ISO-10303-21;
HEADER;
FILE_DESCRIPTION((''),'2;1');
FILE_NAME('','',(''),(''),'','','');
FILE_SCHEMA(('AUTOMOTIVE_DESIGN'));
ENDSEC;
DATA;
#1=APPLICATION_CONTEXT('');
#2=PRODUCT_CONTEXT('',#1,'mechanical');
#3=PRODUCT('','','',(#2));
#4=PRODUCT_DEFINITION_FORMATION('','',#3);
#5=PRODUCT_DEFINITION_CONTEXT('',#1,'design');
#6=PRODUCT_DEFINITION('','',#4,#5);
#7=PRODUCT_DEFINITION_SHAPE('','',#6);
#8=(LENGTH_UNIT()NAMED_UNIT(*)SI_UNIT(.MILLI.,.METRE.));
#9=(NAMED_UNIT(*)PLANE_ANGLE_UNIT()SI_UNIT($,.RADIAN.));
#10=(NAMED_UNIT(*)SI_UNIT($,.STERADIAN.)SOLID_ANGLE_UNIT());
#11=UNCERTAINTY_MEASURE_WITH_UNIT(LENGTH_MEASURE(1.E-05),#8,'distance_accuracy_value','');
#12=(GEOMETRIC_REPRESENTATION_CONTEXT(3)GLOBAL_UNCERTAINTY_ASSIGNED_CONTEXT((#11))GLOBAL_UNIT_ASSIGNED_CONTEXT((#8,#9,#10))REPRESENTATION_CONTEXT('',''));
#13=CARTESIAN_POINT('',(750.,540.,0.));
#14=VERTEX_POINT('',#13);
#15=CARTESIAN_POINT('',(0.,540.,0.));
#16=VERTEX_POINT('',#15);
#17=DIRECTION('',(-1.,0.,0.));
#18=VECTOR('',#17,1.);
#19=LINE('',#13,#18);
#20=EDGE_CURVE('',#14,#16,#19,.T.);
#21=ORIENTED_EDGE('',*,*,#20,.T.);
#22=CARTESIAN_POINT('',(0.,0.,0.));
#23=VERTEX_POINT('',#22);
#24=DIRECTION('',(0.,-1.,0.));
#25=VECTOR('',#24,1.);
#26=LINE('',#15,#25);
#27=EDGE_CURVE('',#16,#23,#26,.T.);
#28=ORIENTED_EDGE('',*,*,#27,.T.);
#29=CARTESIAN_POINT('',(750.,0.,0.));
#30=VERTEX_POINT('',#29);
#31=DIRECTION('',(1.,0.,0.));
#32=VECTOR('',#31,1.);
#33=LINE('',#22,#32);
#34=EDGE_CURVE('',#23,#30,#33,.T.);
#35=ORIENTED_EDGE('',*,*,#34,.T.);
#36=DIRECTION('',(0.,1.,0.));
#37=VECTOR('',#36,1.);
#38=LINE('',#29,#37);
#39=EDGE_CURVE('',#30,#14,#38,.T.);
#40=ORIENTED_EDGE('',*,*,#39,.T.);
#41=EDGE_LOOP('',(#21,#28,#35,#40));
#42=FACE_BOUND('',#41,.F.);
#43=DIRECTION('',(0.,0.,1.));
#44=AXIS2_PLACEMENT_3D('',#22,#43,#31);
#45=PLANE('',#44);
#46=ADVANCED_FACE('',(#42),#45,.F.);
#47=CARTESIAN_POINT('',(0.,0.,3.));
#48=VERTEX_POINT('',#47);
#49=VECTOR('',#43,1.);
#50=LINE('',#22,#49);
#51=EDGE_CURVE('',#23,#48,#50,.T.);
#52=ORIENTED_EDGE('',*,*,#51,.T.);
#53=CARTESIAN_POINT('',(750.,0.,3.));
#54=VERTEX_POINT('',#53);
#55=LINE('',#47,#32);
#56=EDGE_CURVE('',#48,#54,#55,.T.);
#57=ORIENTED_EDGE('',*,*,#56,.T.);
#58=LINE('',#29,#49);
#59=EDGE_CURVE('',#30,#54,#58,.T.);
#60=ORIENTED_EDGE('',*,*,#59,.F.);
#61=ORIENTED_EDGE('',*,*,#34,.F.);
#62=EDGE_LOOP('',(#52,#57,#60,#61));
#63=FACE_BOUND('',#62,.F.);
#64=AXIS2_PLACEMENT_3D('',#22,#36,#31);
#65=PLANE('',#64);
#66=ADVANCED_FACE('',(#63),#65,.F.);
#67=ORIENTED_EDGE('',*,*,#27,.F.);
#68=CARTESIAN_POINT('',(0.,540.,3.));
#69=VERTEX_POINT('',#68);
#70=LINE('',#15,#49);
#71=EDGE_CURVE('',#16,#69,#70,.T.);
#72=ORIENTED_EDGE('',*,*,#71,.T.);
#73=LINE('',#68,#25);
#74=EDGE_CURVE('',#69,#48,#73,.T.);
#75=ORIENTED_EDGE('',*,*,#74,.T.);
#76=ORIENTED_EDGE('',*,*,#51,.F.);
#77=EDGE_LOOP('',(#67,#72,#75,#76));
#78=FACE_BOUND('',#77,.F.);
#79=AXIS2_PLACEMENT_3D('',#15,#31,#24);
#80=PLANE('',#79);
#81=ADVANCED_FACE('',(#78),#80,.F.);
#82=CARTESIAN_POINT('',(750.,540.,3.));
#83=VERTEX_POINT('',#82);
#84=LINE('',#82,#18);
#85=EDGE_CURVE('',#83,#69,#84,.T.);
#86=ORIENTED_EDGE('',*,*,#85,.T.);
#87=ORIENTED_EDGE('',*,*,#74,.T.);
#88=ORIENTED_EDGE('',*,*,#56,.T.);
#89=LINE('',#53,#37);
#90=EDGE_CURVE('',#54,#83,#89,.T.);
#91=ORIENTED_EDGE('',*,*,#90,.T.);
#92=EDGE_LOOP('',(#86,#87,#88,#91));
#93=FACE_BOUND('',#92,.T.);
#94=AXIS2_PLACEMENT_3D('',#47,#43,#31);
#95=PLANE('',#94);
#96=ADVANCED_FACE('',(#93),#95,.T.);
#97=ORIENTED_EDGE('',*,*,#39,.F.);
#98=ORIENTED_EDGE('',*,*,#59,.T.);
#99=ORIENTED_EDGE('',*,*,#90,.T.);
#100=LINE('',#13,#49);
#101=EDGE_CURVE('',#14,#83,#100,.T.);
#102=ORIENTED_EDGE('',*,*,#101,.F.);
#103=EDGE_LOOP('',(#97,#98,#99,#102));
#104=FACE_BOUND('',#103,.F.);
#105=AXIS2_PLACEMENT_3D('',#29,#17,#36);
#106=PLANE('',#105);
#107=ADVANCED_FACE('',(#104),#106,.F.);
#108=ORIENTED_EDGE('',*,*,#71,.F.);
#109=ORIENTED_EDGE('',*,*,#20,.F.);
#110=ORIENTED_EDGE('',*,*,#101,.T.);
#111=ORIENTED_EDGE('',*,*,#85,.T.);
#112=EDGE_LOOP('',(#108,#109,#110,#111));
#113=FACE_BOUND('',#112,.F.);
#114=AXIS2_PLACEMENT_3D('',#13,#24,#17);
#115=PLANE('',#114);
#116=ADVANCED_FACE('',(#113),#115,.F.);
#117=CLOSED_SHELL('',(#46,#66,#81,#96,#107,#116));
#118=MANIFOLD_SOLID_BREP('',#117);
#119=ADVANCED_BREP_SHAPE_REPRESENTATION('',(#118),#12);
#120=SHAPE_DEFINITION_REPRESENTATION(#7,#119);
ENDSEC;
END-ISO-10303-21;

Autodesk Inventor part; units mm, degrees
ref_plane "YZ Plane" through (0, 0, 0) normal (1, 0, 0) x (0, 1, 0)
ref_plane "XZ Plane" through (0, 0, 0) normal (0, 1, 0) x (-1, 0, 0)
ref_plane "XY Plane" through (0, 0, 0) normal (0, 0, 1) x (1, 0, 0)
sketch "Sketch1" plane through (0, 0, 0) normal (0, 0, 1) x (1, 0, 0)
  line L0 (0, 0) -> (750, 0)
  line L1 (750, 0) -> (750, 540)
  line L2 (750, 540) -> (0, 540)
  line L3 (0, 540) -> (0, 0)
  dimension "d0" = 750
  dimension "d1" = 540
extrude "Extrusion1" add sketch "Sketch1" along normal blind 3
properties part number "plate_side_blank" material "Polystyrene"
